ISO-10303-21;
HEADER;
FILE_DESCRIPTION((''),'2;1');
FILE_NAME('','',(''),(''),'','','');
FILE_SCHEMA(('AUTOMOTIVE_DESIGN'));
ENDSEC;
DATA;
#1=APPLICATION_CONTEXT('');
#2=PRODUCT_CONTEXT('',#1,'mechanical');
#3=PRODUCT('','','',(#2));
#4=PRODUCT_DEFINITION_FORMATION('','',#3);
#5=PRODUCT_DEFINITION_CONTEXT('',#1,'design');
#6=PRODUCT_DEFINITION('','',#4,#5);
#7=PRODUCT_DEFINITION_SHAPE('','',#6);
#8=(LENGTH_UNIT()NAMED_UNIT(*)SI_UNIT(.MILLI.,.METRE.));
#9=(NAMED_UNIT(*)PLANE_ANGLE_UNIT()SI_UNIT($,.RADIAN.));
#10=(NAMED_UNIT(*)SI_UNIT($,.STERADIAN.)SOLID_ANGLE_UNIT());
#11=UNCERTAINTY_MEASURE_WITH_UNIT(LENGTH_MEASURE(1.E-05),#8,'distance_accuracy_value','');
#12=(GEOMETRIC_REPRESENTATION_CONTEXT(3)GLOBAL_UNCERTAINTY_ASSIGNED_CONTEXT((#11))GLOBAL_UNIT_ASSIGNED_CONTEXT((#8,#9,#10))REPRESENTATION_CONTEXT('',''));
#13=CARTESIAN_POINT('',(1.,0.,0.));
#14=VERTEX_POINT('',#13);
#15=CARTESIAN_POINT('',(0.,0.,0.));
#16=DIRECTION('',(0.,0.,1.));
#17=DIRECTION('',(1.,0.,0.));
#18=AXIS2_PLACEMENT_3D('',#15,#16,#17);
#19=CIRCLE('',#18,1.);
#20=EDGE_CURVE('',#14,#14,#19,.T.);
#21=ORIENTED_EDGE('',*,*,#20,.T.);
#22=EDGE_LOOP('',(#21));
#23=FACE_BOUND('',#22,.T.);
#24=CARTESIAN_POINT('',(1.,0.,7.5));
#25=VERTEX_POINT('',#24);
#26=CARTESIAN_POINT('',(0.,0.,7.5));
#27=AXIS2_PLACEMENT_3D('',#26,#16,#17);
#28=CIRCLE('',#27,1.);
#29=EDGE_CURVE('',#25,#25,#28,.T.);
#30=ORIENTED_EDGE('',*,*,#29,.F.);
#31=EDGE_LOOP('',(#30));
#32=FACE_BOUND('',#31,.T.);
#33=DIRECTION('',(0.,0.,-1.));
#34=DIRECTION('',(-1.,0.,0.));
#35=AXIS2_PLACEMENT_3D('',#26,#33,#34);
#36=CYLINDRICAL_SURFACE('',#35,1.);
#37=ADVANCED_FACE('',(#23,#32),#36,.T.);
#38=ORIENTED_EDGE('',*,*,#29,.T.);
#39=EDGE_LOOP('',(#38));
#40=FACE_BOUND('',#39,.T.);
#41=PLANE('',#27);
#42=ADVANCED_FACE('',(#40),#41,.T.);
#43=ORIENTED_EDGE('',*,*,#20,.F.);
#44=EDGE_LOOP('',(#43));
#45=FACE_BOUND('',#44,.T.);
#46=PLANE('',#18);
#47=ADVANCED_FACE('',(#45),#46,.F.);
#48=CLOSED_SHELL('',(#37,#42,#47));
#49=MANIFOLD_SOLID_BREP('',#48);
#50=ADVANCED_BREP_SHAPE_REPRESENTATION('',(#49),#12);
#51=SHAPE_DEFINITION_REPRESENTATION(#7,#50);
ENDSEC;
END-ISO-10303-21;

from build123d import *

# Parameters (mm, degrees)
ESBO_O1_R                = 1
RESSALTO_EXTRUS_O1_DEPTH = 7.5


with BuildPart() as part:
    # Esboço1 → Ressalto-extrusão1 (new body)
    with BuildSketch(Plane.XY):
        Circle(ESBO_O1_R)
    extrude(amount=RESSALTO_EXTRUS_O1_DEPTH)


solid = part.part
